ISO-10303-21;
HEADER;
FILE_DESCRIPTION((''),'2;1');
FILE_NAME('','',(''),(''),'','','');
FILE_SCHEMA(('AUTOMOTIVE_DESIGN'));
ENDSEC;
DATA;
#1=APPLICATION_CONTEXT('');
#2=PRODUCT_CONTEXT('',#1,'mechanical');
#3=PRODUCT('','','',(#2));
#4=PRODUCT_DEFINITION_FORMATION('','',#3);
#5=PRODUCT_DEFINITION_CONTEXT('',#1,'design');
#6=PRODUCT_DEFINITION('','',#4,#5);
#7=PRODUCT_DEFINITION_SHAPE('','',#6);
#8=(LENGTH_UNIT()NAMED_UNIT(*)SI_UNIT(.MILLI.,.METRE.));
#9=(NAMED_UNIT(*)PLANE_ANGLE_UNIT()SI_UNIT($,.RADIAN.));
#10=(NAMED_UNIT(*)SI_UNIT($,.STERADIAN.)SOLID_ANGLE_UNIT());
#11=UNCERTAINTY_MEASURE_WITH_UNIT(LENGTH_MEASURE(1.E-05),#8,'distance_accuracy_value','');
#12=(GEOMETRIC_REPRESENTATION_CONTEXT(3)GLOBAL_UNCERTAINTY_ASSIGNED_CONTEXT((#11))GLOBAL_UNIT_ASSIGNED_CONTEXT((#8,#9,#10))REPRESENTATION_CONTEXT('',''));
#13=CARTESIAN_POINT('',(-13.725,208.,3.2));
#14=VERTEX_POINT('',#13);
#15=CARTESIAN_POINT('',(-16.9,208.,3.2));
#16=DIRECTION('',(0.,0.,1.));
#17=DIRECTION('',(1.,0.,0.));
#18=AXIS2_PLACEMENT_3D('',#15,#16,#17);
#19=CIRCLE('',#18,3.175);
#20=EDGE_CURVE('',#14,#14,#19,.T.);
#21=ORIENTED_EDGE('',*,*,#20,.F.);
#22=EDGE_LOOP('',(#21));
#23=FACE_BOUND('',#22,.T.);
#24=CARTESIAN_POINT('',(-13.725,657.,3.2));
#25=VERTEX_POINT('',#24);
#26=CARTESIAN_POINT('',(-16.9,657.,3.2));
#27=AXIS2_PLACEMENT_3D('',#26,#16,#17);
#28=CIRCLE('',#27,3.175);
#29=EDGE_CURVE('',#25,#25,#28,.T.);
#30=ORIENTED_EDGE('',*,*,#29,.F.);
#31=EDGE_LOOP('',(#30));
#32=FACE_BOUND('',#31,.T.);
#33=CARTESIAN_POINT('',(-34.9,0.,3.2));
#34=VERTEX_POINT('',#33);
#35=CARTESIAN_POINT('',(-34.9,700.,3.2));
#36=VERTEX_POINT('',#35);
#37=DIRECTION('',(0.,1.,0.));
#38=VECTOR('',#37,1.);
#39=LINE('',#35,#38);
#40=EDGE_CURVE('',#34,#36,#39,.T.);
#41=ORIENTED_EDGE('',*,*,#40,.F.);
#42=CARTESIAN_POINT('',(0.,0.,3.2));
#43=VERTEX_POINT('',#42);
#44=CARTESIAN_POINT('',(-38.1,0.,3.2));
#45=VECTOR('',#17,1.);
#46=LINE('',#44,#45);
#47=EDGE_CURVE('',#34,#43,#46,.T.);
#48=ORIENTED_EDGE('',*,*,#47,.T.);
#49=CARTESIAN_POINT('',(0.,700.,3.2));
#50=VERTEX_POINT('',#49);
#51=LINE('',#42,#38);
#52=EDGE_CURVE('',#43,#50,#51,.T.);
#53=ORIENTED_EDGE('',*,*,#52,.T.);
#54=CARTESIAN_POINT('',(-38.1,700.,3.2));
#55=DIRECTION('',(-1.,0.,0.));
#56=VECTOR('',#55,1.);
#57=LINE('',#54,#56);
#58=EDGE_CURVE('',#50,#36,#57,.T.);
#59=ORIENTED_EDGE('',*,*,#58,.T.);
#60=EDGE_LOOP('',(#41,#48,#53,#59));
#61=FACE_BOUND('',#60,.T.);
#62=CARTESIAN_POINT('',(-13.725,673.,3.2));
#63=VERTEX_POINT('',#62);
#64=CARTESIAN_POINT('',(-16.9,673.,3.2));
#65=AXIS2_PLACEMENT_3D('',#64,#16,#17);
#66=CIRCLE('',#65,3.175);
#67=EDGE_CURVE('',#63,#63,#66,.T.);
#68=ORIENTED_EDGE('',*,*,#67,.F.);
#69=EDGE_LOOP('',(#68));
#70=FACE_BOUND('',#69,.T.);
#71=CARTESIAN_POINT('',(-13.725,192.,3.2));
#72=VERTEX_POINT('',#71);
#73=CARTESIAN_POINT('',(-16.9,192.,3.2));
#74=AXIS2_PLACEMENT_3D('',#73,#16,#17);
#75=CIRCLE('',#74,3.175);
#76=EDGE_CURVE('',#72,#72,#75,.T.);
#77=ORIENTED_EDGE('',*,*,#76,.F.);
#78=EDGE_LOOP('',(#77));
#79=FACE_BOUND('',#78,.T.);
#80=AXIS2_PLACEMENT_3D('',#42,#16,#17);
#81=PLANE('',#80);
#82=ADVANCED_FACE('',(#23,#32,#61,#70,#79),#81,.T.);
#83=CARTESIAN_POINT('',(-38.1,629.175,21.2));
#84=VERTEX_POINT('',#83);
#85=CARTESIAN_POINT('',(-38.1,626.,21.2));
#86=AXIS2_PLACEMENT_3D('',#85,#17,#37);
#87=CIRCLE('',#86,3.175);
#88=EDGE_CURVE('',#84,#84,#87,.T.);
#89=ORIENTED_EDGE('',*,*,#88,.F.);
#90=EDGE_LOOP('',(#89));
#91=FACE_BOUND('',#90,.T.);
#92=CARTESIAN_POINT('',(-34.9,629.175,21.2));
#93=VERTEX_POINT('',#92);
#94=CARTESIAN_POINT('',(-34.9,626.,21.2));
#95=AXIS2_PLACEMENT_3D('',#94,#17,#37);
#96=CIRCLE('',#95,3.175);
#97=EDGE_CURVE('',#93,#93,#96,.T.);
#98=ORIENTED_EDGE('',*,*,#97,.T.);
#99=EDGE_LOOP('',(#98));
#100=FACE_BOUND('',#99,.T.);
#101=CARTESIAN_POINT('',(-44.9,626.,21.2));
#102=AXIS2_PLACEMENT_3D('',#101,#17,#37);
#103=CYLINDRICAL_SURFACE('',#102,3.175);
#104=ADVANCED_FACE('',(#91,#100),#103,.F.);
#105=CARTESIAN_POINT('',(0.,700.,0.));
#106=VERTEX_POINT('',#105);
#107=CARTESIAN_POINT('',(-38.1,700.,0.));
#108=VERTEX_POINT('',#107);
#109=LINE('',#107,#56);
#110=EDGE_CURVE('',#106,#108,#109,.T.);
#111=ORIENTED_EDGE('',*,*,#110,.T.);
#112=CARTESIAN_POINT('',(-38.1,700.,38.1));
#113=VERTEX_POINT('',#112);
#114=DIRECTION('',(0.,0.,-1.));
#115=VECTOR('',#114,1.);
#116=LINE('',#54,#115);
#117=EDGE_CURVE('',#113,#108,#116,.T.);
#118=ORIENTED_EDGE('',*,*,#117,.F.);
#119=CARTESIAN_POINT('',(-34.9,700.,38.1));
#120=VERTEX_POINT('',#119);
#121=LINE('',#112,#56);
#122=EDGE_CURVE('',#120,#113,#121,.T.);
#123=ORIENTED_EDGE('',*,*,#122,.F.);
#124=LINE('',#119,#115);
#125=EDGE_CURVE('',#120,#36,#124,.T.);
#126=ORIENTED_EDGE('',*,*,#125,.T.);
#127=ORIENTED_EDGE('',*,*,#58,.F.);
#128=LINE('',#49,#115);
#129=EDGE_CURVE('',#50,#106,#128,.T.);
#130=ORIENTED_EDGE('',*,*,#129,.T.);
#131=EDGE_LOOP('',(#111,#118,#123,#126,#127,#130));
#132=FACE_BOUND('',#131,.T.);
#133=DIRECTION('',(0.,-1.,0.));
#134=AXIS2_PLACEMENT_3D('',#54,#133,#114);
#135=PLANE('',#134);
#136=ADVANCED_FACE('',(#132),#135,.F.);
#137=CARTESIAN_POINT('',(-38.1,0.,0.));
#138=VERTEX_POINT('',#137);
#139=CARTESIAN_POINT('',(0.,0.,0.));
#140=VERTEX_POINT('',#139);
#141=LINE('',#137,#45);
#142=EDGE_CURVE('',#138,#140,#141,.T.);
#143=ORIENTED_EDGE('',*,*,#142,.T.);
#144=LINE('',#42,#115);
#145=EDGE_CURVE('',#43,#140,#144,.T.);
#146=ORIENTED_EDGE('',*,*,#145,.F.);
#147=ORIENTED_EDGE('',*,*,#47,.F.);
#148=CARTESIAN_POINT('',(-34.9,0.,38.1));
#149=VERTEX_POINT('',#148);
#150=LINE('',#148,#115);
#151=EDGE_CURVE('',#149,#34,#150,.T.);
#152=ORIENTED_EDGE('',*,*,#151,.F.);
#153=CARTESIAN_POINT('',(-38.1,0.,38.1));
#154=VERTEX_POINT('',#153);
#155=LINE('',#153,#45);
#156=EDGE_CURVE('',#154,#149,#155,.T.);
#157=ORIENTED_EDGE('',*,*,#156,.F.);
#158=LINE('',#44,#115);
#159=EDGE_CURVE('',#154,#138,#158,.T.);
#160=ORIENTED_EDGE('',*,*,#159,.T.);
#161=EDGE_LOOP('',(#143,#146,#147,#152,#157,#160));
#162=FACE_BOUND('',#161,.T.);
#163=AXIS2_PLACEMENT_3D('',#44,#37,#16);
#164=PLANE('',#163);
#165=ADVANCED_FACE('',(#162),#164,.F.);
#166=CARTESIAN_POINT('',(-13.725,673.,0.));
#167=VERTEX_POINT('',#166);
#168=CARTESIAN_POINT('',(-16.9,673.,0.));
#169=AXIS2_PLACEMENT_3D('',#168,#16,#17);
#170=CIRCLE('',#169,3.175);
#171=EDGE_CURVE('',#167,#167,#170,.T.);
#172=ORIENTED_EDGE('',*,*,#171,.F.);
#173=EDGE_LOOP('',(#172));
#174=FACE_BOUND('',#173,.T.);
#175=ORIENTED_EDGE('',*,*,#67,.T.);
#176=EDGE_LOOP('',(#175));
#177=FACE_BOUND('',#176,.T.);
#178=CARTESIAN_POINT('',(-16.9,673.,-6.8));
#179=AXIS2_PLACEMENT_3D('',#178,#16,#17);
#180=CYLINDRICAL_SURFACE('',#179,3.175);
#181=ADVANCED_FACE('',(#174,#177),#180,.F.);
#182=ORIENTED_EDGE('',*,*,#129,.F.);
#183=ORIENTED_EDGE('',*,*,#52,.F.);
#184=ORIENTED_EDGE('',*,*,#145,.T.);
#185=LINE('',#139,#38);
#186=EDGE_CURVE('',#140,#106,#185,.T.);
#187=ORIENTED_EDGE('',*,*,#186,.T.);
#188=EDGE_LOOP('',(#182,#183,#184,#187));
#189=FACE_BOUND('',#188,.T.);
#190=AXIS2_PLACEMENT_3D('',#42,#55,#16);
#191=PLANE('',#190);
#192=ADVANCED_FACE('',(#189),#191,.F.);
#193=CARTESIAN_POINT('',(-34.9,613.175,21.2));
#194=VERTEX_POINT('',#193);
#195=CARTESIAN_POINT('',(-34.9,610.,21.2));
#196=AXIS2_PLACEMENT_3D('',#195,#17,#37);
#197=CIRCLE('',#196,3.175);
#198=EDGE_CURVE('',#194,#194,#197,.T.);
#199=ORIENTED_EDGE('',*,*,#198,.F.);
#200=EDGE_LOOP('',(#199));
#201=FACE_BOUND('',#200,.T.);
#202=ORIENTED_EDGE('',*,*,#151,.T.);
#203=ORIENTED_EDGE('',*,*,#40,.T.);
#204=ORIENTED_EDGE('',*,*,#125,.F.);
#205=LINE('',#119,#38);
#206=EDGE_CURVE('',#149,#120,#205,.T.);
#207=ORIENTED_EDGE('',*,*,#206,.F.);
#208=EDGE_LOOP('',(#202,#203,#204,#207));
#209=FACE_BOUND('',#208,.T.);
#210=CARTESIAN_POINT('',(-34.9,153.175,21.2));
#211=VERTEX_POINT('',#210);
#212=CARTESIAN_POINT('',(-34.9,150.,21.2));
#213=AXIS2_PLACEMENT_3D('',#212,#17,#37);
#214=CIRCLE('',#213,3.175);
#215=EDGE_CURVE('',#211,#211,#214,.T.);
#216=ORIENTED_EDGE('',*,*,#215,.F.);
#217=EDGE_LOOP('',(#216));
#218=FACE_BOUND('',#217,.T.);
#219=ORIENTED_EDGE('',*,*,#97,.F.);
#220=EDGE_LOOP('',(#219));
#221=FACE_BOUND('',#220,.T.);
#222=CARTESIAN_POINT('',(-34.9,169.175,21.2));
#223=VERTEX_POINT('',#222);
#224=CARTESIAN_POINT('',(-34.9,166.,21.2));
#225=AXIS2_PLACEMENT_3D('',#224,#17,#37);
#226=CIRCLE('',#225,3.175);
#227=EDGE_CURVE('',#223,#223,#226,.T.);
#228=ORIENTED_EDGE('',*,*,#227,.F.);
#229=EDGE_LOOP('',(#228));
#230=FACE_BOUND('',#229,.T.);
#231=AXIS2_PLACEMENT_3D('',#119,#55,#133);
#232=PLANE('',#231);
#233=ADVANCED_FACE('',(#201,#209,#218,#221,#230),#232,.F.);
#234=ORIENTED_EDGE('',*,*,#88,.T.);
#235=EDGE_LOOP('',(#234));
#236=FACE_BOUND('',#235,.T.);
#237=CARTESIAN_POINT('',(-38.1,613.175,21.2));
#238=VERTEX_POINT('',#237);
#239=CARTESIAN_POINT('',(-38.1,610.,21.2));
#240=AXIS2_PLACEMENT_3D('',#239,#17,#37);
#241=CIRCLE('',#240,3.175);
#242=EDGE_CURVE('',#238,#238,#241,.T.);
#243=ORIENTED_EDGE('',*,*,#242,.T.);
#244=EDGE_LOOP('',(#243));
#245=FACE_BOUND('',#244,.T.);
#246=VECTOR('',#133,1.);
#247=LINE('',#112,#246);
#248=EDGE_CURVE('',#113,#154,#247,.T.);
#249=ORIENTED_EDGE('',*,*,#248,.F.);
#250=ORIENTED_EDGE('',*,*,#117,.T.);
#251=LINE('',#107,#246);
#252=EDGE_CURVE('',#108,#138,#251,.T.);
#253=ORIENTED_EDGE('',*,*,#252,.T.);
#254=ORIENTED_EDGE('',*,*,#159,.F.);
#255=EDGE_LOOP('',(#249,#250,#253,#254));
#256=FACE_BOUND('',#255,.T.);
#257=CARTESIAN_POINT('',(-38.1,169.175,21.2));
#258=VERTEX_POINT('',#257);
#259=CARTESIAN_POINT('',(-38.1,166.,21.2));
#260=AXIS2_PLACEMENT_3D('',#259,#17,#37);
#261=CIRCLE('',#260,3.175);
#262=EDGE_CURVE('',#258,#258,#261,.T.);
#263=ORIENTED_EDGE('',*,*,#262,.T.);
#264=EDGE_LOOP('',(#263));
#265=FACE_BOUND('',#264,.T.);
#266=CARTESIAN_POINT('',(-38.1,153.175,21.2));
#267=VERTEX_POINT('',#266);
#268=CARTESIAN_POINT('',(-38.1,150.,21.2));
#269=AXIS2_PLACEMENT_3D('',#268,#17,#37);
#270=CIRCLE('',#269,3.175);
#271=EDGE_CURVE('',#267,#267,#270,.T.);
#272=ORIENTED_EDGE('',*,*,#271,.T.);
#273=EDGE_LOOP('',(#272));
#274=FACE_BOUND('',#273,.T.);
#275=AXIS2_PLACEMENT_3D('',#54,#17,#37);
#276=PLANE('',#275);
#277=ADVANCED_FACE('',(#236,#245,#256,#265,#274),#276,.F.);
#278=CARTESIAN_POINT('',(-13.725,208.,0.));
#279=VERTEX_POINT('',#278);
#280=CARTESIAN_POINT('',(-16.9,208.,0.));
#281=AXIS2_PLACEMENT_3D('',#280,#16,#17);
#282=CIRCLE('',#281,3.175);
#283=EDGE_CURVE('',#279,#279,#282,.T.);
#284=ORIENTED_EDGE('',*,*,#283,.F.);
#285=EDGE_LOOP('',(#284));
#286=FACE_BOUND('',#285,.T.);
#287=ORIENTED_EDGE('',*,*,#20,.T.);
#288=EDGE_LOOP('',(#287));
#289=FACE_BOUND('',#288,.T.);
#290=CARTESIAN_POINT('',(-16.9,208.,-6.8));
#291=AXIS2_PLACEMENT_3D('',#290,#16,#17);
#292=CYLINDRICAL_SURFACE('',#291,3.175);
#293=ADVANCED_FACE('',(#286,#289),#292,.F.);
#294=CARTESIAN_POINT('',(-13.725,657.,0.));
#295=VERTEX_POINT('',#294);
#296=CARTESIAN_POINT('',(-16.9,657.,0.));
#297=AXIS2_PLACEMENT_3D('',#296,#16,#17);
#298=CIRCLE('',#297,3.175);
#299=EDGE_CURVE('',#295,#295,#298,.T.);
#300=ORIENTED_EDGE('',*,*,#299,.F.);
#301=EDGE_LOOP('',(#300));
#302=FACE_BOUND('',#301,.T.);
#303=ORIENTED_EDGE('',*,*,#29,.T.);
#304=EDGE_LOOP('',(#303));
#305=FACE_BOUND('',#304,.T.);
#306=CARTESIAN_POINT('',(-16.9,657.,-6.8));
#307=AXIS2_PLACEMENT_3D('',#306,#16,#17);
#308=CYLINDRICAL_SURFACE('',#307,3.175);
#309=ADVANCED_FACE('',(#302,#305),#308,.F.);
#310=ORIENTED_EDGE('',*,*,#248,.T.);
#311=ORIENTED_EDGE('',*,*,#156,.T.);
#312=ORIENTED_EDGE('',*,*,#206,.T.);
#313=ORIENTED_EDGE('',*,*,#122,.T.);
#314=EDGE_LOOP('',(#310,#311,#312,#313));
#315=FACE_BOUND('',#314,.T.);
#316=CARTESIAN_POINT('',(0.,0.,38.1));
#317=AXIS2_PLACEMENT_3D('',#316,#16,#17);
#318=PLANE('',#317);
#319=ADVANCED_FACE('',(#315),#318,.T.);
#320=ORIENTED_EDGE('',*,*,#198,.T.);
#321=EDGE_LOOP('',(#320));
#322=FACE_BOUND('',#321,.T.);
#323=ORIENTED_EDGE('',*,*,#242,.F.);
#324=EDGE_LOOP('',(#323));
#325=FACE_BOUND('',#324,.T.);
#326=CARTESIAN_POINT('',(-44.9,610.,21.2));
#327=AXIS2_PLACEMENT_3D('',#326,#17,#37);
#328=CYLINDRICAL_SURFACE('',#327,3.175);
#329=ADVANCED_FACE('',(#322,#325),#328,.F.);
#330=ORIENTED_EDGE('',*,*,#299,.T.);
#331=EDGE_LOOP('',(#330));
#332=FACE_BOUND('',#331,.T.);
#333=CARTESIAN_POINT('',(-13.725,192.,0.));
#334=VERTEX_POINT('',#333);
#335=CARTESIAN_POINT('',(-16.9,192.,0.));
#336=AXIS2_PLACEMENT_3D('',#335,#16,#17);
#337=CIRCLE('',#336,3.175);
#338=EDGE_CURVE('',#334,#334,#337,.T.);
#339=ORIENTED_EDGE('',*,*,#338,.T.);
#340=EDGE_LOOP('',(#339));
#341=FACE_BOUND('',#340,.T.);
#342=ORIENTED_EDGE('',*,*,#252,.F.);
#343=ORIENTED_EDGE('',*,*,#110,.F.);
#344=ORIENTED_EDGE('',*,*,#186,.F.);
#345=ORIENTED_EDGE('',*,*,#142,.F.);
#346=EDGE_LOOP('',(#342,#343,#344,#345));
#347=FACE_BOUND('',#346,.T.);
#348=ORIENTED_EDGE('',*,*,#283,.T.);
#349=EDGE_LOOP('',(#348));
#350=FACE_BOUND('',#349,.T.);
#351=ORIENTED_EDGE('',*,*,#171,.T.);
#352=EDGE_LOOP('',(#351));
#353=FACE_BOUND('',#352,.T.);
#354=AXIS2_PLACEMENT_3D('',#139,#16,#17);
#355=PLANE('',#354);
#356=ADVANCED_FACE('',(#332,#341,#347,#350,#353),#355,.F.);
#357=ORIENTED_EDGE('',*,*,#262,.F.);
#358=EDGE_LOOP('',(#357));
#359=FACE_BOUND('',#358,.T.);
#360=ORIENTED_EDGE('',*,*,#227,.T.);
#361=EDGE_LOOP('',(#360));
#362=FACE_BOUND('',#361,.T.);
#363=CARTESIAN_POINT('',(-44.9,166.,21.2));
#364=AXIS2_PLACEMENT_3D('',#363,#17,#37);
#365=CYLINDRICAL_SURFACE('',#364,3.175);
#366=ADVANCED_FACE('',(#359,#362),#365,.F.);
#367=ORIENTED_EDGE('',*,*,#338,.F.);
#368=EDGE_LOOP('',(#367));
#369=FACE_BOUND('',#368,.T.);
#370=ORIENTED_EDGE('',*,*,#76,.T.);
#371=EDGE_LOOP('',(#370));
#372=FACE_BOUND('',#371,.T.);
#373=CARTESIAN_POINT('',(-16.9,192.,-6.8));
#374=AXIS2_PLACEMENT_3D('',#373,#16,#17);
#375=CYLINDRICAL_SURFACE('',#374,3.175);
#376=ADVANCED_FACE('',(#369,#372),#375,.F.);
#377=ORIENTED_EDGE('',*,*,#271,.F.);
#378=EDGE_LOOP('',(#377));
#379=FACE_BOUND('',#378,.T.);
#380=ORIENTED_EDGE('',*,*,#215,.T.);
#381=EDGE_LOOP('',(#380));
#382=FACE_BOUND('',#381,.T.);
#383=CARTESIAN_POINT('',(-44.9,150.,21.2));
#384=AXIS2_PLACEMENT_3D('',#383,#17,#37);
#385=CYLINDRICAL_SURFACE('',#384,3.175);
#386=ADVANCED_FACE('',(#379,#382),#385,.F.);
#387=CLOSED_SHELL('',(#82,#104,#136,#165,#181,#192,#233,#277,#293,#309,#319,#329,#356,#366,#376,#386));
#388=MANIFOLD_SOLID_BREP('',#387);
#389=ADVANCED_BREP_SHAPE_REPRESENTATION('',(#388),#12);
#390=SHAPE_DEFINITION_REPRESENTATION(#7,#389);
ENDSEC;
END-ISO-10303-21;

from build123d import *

# Parameters (mm, degrees)
CROQUIS1_W              = 38.1
CROQUIS1_H              = 700
SALIENTE_EXTRUIR1_DEPTH = 3.2
CROQUIS2_W              = 3.2
CROQUIS2_H              = 700
SALIENTE_EXTRUIR2_DEPTH = 34.9
CROQUIS5_R              = 3.175
CORTAR_EXTRUIR1_DEPTH   = 10
CROQUIS6_R              = 3.175
CORTAR_EXTRUIR2_DEPTH   = 10


with BuildPart() as part:
    # Croquis1 → Saliente-Extruir1 (new body)
    with BuildSketch(Plane.XY):
        with Locations((-19.05, 350)):
            Rectangle(CROQUIS1_W, CROQUIS1_H)
    extrude(amount=SALIENTE_EXTRUIR1_DEPTH)

    # Croquis2 → Saliente-Extruir2 (add)
    with BuildSketch(Plane.XY.offset(3.2)):
        with Locations((-36.5, 350)):
            Rectangle(CROQUIS2_W, CROQUIS2_H)
    extrude(amount=SALIENTE_EXTRUIR2_DEPTH)

    # Croquis5 → Cortar-Extruir1 (cut)
    with BuildSketch(Plane.XY.offset(3.2)):
        with Locations((-16.9, 673)):
            Circle(CROQUIS5_R)
        with Locations((-16.9, 657)):
            Circle(CROQUIS5_R)
        with Locations((-16.9, 208)):
            Circle(CROQUIS5_R)
        with Locations((-16.9, 192)):
            Circle(CROQUIS5_R)
    extrude(amount=-CORTAR_EXTRUIR1_DEPTH, mode=Mode.SUBTRACT)

    # Croquis6 → Cortar-Extruir2 (cut)
    with BuildSketch(Plane(origin=(-34.9, 0, 0), x_dir=(0, 0, -1), z_dir=(1, 0, 0))):
        with Locations((-21.2, 626)):
            Circle(CROQUIS6_R)
        with Locations((-21.2, 610)):
            Circle(CROQUIS6_R)
        with Locations((-21.2, 166)):
            Circle(CROQUIS6_R)
        with Locations((-21.2, 150)):
            Circle(CROQUIS6_R)
    extrude(amount=-CORTAR_EXTRUIR2_DEPTH, mode=Mode.SUBTRACT)


solid = part.part
